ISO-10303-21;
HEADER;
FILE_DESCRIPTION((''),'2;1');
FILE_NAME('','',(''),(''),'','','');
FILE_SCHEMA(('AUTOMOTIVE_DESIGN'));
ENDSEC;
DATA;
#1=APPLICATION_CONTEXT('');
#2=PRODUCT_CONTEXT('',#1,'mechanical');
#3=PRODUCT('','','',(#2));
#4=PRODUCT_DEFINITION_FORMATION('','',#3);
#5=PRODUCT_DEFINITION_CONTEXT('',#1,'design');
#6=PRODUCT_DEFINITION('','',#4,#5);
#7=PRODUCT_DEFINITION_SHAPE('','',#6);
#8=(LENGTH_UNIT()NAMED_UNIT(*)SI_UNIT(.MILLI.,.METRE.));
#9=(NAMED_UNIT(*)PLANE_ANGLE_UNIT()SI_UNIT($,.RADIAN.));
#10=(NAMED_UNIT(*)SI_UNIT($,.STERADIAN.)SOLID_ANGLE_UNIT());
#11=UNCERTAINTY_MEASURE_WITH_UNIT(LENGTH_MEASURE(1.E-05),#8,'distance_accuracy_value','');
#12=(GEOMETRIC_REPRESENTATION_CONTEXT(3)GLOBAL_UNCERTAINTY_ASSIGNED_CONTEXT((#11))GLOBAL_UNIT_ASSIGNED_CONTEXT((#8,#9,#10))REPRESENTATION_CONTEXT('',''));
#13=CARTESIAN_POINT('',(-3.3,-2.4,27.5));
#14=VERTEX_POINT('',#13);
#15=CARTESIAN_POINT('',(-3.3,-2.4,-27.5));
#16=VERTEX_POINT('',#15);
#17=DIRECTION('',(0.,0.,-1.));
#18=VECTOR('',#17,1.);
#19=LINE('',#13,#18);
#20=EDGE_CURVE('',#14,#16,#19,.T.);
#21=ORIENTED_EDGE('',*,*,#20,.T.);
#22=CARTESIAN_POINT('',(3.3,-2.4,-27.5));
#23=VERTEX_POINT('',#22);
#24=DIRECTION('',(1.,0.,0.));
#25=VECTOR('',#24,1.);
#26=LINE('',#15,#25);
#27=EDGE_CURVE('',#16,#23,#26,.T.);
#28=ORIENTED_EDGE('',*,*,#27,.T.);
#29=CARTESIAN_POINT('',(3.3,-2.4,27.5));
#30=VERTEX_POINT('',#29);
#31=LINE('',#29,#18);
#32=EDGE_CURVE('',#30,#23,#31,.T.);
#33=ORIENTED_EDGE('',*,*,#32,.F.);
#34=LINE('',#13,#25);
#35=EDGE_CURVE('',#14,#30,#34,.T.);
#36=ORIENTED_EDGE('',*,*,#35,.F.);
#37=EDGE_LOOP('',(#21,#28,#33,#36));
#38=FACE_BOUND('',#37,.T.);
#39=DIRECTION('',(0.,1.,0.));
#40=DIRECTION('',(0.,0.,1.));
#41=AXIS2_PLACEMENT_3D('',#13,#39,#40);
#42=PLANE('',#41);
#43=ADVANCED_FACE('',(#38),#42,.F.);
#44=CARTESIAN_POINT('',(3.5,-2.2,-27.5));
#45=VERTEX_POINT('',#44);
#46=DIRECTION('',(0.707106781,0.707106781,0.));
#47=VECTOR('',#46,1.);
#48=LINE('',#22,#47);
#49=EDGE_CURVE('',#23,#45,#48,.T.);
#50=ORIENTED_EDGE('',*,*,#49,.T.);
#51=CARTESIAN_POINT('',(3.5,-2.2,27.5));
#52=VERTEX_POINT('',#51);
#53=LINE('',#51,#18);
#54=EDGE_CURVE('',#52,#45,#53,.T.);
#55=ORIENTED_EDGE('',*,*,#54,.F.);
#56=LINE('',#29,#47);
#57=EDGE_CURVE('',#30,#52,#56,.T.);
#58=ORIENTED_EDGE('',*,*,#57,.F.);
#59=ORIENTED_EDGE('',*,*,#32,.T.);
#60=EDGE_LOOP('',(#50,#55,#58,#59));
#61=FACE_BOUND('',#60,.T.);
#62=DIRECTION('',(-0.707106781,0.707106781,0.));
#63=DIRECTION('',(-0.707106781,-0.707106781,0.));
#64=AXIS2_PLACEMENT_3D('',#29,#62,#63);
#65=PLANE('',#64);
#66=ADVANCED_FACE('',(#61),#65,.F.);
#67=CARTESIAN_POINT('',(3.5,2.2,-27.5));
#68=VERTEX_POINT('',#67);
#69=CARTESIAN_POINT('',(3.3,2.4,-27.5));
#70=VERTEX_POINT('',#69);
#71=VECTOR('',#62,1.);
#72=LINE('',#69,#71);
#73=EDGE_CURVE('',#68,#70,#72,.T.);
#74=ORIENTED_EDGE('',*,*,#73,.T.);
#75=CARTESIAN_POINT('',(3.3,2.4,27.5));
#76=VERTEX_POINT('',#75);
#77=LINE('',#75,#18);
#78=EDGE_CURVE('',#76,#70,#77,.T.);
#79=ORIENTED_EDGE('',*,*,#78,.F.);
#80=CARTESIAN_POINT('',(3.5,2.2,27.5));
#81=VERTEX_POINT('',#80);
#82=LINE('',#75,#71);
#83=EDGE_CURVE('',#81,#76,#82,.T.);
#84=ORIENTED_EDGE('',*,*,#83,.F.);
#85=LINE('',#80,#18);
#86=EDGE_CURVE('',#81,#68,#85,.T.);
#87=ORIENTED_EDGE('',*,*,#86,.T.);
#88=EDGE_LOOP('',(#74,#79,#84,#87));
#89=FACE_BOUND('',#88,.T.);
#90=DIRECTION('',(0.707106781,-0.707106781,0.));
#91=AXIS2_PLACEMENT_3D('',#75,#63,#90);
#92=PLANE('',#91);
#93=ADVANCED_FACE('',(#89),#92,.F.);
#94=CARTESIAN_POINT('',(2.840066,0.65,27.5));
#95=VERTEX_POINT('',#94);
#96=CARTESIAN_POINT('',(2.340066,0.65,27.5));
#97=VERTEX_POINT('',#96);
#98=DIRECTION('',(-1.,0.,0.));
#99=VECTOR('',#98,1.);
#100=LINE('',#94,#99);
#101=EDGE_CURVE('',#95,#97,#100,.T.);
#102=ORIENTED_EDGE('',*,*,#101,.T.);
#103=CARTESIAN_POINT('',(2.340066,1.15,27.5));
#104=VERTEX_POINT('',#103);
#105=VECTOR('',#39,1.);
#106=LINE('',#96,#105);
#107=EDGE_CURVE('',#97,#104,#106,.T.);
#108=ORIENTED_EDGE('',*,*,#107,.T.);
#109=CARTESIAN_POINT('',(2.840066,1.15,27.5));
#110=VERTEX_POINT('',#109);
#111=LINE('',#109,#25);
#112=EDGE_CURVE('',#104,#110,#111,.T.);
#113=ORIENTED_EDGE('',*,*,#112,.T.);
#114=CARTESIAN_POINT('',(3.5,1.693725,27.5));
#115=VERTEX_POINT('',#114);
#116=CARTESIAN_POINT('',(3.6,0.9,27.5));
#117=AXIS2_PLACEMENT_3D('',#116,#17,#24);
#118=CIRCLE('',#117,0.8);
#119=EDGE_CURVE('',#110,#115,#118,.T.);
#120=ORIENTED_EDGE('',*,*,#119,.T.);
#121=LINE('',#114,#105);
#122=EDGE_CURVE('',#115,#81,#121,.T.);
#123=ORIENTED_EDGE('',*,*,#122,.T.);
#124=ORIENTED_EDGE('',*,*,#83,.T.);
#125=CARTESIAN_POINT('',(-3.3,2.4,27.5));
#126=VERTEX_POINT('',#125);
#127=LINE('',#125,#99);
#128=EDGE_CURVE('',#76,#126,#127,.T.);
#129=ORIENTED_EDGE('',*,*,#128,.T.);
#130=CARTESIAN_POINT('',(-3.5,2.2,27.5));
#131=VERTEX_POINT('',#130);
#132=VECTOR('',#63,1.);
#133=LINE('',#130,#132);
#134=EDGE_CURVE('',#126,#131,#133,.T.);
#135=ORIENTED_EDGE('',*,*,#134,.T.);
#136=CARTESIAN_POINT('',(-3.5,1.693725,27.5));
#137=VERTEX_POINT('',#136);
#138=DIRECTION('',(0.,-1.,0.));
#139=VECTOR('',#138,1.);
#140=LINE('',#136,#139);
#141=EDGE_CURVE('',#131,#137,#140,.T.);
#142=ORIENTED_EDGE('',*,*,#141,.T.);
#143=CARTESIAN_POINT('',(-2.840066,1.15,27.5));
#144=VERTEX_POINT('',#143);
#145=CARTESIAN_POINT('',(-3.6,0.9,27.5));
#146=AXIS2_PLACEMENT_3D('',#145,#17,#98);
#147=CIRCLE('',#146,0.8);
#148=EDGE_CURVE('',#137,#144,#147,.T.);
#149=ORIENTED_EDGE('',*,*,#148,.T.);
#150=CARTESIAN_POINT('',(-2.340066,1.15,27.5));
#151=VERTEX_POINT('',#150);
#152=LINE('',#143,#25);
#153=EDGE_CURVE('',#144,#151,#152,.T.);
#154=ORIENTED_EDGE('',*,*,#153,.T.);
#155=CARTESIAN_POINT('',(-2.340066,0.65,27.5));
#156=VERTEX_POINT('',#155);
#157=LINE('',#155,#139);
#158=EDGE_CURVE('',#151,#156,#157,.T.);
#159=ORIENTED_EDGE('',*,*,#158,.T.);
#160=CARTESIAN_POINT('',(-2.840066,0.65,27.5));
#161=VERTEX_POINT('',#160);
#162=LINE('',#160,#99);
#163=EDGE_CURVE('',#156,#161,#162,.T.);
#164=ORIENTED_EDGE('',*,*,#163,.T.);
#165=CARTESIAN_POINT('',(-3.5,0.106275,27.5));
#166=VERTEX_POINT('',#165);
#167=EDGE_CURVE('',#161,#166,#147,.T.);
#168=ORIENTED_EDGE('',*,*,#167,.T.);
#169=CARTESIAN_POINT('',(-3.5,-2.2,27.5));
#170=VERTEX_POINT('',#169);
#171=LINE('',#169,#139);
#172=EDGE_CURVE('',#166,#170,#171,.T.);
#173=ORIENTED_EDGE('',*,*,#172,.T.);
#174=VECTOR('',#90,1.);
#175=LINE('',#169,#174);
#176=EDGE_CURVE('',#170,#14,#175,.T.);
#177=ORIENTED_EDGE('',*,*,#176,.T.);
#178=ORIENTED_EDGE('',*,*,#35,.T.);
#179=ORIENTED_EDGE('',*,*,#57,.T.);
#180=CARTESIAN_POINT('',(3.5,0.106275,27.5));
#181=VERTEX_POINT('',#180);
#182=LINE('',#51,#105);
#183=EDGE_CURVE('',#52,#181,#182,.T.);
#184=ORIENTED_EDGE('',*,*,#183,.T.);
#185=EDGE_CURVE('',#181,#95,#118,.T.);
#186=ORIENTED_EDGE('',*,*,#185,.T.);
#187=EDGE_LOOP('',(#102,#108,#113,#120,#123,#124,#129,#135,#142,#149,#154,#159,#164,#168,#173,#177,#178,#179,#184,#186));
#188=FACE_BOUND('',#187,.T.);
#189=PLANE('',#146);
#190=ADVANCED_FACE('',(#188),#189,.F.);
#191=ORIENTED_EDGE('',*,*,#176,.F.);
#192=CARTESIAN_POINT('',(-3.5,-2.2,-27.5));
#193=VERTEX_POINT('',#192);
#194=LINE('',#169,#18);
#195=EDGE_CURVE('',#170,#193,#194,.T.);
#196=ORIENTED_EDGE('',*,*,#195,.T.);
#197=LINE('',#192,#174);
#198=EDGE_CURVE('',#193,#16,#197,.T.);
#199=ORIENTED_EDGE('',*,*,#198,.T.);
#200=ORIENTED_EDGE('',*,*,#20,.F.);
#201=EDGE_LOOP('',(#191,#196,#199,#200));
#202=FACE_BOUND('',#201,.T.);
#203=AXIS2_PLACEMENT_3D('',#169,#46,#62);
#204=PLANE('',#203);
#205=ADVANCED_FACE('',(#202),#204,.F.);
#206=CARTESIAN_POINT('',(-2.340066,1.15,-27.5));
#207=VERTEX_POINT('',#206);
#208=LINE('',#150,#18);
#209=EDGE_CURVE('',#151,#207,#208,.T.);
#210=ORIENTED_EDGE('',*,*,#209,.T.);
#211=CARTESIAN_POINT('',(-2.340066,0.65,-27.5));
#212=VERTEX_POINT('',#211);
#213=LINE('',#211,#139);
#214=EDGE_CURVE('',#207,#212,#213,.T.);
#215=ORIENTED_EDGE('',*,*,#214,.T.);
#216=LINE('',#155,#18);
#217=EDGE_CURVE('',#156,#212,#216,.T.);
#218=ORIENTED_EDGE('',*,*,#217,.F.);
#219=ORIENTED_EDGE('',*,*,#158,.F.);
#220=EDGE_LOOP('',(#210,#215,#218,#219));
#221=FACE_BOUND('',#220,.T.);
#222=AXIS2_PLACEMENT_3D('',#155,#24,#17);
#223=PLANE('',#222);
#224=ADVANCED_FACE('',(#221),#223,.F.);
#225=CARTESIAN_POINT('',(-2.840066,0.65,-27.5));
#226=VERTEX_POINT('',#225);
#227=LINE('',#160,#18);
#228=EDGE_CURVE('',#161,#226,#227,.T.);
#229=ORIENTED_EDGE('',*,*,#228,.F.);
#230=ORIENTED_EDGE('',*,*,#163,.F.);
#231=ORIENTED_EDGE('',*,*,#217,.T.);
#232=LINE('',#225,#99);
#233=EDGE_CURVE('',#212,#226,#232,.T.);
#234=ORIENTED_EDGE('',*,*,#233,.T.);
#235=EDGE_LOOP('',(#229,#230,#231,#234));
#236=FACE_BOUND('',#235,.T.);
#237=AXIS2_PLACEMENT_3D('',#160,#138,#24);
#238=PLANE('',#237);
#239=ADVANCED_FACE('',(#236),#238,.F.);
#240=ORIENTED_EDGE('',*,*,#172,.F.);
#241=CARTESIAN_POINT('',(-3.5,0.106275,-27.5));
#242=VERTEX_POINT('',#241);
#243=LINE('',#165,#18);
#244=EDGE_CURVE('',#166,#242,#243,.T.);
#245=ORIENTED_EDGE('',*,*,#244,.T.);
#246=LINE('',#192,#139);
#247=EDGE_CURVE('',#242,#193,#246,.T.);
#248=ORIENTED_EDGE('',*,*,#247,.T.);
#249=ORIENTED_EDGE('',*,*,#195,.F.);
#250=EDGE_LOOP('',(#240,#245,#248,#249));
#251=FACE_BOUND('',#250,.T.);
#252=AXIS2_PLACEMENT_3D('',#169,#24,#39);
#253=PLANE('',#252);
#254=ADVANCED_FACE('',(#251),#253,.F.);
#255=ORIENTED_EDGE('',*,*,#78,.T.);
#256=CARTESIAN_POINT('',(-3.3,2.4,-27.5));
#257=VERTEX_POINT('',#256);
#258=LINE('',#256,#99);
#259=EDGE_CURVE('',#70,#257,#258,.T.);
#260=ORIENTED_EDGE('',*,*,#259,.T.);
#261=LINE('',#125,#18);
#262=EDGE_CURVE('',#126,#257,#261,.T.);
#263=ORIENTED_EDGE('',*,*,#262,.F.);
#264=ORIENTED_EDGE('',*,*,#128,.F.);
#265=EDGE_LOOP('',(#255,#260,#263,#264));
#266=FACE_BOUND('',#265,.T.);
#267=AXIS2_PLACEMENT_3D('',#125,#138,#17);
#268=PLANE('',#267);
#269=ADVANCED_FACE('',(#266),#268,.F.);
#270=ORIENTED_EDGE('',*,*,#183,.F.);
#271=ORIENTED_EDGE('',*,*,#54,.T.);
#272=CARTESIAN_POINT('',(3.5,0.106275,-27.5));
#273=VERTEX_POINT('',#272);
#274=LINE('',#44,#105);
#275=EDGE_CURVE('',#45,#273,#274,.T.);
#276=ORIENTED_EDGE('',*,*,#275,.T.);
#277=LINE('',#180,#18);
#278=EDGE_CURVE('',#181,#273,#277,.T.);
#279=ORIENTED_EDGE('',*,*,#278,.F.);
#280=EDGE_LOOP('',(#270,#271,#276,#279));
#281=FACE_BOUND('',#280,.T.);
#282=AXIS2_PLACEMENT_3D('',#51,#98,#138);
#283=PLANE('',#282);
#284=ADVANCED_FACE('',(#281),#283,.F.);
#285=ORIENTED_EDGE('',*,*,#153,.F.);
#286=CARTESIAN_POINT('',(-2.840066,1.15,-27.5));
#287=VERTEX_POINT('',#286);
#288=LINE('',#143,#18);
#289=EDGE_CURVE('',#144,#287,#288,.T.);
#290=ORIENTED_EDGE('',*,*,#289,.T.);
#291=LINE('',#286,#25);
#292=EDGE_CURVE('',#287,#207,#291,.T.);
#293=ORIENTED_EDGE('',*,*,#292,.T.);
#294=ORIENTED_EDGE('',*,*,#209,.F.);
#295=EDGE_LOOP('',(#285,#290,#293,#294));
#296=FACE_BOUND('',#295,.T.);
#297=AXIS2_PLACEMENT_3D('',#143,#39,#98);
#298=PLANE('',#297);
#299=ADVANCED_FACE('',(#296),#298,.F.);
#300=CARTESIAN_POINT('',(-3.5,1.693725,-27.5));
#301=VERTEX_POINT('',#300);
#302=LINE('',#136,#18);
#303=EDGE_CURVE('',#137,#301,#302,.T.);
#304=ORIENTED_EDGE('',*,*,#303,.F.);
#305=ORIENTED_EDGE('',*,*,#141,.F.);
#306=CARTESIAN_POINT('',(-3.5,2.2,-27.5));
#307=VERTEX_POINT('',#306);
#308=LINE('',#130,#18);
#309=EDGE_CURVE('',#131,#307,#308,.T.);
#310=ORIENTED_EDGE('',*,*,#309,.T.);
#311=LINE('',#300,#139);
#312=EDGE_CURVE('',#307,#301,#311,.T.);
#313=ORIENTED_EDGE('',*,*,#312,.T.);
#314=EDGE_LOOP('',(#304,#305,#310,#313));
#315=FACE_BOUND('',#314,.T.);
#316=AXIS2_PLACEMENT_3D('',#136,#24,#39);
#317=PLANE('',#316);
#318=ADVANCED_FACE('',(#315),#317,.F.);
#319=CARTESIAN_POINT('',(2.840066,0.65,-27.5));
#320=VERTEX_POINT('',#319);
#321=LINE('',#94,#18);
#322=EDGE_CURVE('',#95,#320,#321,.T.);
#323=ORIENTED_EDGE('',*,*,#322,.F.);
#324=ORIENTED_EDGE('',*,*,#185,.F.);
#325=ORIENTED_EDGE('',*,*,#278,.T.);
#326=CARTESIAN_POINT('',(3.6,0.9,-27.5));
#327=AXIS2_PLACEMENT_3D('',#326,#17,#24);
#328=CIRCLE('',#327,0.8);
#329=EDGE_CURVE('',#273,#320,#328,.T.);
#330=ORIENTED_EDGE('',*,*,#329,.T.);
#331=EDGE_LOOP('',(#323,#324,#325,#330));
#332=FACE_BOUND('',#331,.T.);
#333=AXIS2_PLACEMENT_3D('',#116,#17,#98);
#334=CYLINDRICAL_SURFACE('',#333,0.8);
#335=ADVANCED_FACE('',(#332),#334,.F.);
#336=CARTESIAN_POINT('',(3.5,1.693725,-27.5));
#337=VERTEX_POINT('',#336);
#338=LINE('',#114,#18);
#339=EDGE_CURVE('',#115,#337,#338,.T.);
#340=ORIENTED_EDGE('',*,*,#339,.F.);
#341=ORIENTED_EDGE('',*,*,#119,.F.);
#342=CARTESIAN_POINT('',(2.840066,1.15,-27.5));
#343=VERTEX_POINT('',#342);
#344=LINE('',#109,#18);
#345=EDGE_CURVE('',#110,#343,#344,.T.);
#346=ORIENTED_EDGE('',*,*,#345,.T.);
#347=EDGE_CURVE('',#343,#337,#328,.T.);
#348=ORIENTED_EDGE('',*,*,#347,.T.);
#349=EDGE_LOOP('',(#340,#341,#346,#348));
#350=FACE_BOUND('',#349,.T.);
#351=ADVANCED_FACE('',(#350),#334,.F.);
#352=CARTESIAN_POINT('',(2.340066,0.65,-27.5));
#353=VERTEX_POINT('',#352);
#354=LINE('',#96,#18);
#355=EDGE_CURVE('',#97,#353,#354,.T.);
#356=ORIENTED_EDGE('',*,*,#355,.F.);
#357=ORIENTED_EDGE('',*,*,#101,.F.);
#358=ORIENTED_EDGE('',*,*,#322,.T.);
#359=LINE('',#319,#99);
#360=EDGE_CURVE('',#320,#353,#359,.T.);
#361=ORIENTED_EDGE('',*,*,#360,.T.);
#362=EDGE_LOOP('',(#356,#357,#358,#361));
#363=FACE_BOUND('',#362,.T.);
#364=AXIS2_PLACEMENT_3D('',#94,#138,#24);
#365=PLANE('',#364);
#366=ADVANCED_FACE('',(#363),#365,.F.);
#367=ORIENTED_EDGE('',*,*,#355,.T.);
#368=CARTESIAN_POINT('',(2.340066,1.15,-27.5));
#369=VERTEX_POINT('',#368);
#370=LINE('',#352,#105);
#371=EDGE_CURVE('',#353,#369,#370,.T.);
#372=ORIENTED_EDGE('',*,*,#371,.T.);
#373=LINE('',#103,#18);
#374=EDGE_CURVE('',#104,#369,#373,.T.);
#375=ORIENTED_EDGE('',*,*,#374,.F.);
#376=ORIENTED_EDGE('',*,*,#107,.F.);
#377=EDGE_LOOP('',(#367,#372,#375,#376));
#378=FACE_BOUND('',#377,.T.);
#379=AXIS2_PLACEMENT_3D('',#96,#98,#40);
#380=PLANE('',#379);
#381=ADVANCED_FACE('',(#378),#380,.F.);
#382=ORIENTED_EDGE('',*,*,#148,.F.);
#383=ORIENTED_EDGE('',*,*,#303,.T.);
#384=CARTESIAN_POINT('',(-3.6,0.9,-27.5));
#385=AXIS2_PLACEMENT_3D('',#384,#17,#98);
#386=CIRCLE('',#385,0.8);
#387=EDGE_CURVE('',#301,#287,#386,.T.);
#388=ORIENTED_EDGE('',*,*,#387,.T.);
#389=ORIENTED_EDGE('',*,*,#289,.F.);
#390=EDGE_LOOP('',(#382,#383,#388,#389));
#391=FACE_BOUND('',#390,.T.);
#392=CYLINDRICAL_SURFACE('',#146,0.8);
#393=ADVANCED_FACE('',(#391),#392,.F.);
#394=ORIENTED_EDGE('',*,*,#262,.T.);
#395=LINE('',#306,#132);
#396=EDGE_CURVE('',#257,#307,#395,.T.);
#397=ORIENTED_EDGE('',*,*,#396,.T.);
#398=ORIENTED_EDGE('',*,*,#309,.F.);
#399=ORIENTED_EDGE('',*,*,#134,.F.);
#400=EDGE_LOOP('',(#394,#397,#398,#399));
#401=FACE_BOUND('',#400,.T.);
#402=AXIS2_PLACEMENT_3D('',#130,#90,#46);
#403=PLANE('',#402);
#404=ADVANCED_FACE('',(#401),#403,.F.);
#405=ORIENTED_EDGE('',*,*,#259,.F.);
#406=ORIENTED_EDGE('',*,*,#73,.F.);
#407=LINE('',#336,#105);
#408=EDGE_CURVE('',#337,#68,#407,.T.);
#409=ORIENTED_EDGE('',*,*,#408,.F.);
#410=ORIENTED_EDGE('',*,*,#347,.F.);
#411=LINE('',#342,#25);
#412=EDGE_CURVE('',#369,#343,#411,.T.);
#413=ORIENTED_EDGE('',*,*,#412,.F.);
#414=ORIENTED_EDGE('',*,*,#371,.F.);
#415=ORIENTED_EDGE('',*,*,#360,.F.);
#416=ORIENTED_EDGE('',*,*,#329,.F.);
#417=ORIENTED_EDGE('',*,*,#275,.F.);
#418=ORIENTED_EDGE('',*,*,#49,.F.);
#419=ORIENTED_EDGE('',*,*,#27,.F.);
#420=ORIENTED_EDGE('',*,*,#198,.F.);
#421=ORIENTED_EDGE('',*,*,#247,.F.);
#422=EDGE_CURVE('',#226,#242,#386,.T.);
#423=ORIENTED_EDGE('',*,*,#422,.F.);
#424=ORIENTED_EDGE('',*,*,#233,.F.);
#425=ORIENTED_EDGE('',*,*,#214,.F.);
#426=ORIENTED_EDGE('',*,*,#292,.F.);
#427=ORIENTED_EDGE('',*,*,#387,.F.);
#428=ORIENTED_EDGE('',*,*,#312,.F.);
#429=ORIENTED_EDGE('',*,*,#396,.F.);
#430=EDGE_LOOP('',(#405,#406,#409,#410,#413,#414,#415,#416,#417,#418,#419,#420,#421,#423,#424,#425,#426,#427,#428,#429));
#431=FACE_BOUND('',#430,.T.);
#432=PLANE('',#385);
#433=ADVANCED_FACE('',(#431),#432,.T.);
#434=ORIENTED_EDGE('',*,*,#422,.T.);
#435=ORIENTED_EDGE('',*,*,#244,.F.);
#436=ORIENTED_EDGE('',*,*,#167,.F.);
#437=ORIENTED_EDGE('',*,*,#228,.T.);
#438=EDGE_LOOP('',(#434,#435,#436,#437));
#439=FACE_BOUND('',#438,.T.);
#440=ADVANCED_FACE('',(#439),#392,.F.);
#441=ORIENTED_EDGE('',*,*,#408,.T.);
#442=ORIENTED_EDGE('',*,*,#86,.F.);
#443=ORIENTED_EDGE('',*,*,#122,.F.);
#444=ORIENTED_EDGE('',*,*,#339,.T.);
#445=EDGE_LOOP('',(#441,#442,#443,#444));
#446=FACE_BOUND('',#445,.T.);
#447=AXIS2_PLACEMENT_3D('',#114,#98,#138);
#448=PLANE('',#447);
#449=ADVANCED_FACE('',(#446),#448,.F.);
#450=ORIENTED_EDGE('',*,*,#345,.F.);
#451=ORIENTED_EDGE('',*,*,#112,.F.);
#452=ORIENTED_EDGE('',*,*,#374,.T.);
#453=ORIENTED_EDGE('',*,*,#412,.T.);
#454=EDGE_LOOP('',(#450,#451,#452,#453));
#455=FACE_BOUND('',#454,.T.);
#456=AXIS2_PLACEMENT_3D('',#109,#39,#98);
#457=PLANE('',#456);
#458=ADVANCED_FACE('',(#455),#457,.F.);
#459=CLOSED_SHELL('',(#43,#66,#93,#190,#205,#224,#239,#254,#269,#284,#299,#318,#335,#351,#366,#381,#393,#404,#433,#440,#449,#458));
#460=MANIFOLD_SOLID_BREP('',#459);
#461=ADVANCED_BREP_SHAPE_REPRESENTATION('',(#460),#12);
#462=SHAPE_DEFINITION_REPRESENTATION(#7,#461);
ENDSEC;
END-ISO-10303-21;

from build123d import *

# Parameters (mm, degrees)
EXTRUDE1_DEPTH = 27.5


with BuildPart() as part:
    # Sketch1 → Extrude1 (new, symmetric)
    with BuildSketch(Plane.XY):
        with BuildLine():
            Line((-3.3, -2.4), (3.3, -2.4))
            Line((3.3, -2.4), (3.5, -2.2))
            Line((3.5, -2.2), (3.5, 0.106274607))
            ThreePointArc((3.5, 0.106274607), (3.091294745, 0.282570681), (2.840065792, 0.65))
            Line((2.840065792, 0.65), (2.340065792, 0.65))
            Line((2.340065792, 0.65), (2.340065792, 1.15))
            Line((2.340065792, 1.15), (2.840065792, 1.15))
            ThreePointArc((2.840065792, 1.15), (3.091294745, 1.517429319), (3.5, 1.693725393))
            Line((3.5, 1.693725393), (3.5, 2.2))
            Line((3.5, 2.2), (3.3, 2.4))
            Line((3.3, 2.4), (-3.3, 2.4))
            Line((-3.3, 2.4), (-3.5, 2.2))
            Line((-3.5, 2.2), (-3.5, 1.693725393))
            ThreePointArc((-3.5, 1.693725393), (-3.091294745, 1.517429319), (-2.840065792, 1.15))
            Line((-2.840065792, 1.15), (-2.340065792, 1.15))
            Line((-2.340065792, 1.15), (-2.340065792, 0.65))
            Line((-2.340065792, 0.65), (-2.840065792, 0.65))
            ThreePointArc((-2.840065792, 0.65), (-3.091294745, 0.282570681), (-3.5, 0.106274607))
            Line((-3.5, 0.106274607), (-3.5, -2.2))
            Line((-3.5, -2.2), (-3.3, -2.4))
        make_face()
    extrude(amount=EXTRUDE1_DEPTH, both=True)


solid = part.part
